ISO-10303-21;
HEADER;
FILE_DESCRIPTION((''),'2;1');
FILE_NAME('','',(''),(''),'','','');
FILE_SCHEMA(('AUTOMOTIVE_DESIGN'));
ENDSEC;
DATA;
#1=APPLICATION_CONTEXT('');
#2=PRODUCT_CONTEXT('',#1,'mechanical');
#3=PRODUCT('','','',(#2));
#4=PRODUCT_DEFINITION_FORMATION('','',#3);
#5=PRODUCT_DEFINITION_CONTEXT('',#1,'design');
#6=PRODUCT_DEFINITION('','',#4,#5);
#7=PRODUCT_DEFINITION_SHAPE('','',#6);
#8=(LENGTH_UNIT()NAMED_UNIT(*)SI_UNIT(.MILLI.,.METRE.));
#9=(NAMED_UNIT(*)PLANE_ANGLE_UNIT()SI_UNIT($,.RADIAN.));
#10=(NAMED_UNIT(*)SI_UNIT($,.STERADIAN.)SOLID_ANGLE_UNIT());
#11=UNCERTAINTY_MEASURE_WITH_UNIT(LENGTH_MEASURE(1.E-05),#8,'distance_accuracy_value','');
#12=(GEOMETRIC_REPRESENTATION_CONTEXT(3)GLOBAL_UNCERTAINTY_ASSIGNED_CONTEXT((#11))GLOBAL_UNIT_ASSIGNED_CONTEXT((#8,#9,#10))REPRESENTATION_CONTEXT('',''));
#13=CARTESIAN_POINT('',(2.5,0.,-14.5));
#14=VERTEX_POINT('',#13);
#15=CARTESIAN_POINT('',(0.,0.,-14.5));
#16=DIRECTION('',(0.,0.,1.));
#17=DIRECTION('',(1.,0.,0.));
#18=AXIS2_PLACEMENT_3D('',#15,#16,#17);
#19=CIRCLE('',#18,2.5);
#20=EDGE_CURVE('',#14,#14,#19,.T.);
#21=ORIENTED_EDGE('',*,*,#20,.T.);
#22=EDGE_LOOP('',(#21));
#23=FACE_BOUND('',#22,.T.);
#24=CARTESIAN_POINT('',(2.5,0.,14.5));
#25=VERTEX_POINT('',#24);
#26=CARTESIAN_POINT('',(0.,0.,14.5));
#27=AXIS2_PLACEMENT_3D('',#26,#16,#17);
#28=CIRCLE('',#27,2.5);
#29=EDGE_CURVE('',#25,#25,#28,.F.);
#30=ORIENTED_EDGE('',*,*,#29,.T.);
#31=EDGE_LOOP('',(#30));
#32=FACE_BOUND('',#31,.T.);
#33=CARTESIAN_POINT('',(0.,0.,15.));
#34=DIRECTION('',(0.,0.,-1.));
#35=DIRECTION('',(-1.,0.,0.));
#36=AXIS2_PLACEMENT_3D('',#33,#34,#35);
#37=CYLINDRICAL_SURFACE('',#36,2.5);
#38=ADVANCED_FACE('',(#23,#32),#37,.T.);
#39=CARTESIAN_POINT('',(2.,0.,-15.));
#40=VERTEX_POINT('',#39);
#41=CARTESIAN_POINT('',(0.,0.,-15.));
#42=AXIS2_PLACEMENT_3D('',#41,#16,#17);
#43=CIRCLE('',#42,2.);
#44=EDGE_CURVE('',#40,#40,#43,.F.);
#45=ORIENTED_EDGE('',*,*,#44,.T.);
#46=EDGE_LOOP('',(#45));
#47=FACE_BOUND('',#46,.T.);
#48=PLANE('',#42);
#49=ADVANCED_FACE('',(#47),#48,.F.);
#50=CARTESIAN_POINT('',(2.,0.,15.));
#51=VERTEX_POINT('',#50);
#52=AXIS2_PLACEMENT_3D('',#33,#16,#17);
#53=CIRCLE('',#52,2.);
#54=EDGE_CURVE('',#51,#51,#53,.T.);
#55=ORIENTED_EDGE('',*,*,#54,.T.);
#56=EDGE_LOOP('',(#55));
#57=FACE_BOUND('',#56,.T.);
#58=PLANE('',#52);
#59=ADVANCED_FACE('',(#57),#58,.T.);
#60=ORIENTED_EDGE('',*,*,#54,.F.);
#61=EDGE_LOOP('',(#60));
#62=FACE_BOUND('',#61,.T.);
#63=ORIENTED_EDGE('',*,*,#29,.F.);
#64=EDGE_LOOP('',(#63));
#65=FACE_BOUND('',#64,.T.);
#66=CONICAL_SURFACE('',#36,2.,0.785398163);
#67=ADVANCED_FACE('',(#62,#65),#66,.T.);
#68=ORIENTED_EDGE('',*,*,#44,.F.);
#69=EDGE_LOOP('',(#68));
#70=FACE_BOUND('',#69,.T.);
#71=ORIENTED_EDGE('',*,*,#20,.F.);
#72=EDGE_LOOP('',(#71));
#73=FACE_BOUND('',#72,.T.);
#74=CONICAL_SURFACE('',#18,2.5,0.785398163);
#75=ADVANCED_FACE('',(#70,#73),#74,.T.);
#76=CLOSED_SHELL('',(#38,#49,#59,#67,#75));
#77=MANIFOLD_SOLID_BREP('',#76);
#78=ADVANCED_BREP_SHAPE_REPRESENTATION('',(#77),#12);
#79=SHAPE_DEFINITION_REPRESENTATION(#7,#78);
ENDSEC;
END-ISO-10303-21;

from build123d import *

# Parameters (mm, degrees)
SKETCH1_R           = 2.5
BOSS_EXTRUDE1_DEPTH = 15
CHAMFER1_SIZE       = 0.5


with BuildPart() as part:
    # Sketch1 → Boss-Extrude1 (new body, symmetric)
    with BuildSketch(Plane.XY):
        Circle(SKETCH1_R)
    extrude(amount=BOSS_EXTRUDE1_DEPTH, both=True)

    # Chamfer1
    chamfer1_edges = [part.edges().sort_by_distance(p)[0] for p in [
        (-2.5, 0, -15),
        (-2.5, 0, 15),
    ]]
    chamfer(chamfer1_edges, length=CHAMFER1_SIZE)


solid = part.part
